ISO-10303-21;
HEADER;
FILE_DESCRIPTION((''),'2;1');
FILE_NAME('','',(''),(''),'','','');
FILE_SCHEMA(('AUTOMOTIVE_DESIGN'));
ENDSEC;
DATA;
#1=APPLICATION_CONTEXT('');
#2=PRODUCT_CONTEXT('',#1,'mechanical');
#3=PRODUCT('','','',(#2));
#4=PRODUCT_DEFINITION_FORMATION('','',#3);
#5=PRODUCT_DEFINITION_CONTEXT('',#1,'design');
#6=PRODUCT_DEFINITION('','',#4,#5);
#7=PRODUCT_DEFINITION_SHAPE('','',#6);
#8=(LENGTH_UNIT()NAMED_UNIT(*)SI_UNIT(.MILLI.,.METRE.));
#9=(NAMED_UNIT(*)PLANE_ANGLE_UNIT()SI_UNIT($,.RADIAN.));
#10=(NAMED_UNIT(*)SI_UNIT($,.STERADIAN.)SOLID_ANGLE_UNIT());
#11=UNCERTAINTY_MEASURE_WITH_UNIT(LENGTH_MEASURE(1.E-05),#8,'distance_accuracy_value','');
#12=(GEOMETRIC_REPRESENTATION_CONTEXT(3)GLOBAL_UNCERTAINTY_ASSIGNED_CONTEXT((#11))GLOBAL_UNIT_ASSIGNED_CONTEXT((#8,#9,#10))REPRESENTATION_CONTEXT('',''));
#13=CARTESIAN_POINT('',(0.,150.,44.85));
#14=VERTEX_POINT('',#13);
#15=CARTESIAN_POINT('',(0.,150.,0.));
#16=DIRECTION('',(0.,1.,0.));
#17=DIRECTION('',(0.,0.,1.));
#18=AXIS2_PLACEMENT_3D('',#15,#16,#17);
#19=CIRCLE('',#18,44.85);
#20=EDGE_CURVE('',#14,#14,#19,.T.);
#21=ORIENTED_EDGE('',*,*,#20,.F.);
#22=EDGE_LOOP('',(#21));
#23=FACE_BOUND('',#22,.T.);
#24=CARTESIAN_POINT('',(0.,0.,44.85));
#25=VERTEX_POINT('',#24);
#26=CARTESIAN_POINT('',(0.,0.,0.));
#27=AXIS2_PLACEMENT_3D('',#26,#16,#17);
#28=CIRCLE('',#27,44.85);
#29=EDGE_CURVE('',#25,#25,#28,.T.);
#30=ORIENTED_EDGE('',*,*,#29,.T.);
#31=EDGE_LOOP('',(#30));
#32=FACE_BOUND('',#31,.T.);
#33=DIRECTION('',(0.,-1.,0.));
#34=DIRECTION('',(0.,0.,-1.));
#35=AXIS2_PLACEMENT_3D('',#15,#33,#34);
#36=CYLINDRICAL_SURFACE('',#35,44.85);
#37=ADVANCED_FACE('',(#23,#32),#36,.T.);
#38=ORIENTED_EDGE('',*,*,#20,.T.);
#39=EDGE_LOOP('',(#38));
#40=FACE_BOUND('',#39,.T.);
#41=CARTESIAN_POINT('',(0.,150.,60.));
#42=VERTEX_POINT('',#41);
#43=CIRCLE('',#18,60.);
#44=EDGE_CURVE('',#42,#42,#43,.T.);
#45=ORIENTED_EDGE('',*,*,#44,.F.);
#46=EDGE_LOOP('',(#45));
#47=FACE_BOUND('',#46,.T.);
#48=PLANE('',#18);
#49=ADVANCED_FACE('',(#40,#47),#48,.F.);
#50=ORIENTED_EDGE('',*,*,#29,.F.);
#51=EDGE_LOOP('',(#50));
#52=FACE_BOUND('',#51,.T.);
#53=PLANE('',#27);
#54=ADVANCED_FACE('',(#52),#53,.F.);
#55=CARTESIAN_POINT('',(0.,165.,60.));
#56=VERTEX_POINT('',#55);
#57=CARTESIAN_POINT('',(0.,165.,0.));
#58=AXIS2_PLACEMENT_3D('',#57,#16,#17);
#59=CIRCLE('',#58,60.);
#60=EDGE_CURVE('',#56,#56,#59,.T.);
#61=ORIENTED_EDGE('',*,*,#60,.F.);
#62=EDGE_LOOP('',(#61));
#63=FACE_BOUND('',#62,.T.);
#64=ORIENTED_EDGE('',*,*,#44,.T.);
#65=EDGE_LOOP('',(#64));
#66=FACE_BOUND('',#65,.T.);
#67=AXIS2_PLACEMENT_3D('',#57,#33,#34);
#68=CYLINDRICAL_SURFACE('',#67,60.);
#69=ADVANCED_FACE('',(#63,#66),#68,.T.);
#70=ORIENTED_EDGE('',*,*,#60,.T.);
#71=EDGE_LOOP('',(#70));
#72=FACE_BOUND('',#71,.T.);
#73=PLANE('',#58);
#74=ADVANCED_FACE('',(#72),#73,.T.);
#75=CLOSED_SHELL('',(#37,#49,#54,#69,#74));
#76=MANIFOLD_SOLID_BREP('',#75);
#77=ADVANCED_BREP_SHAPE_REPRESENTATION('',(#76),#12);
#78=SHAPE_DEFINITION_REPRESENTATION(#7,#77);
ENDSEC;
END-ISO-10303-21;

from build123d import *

# Parameters (mm, degrees)
SKETCH1_R           = 44.85
BOSS_EXTRUDE1_DEPTH = 150
SKETCH4_R           = 60
BOSS_EXTRUDE3_DEPTH = 15


with BuildPart() as part:
    # Sketch1 → Boss-Extrude1 (new body)
    with BuildSketch(Plane(origin=(0, 0, 0), x_dir=(1, 0, 0), z_dir=(0, 1, 0))):
        Circle(SKETCH1_R)
    extrude(amount=BOSS_EXTRUDE1_DEPTH)

    # Sketch4 → Boss-Extrude3 (add)
    with BuildSketch(Plane(origin=(0, 150, 0), x_dir=(1, 0, 0), z_dir=(0, 1, 0))):
        Circle(SKETCH4_R)
    extrude(amount=BOSS_EXTRUDE3_DEPTH)


solid = part.part
